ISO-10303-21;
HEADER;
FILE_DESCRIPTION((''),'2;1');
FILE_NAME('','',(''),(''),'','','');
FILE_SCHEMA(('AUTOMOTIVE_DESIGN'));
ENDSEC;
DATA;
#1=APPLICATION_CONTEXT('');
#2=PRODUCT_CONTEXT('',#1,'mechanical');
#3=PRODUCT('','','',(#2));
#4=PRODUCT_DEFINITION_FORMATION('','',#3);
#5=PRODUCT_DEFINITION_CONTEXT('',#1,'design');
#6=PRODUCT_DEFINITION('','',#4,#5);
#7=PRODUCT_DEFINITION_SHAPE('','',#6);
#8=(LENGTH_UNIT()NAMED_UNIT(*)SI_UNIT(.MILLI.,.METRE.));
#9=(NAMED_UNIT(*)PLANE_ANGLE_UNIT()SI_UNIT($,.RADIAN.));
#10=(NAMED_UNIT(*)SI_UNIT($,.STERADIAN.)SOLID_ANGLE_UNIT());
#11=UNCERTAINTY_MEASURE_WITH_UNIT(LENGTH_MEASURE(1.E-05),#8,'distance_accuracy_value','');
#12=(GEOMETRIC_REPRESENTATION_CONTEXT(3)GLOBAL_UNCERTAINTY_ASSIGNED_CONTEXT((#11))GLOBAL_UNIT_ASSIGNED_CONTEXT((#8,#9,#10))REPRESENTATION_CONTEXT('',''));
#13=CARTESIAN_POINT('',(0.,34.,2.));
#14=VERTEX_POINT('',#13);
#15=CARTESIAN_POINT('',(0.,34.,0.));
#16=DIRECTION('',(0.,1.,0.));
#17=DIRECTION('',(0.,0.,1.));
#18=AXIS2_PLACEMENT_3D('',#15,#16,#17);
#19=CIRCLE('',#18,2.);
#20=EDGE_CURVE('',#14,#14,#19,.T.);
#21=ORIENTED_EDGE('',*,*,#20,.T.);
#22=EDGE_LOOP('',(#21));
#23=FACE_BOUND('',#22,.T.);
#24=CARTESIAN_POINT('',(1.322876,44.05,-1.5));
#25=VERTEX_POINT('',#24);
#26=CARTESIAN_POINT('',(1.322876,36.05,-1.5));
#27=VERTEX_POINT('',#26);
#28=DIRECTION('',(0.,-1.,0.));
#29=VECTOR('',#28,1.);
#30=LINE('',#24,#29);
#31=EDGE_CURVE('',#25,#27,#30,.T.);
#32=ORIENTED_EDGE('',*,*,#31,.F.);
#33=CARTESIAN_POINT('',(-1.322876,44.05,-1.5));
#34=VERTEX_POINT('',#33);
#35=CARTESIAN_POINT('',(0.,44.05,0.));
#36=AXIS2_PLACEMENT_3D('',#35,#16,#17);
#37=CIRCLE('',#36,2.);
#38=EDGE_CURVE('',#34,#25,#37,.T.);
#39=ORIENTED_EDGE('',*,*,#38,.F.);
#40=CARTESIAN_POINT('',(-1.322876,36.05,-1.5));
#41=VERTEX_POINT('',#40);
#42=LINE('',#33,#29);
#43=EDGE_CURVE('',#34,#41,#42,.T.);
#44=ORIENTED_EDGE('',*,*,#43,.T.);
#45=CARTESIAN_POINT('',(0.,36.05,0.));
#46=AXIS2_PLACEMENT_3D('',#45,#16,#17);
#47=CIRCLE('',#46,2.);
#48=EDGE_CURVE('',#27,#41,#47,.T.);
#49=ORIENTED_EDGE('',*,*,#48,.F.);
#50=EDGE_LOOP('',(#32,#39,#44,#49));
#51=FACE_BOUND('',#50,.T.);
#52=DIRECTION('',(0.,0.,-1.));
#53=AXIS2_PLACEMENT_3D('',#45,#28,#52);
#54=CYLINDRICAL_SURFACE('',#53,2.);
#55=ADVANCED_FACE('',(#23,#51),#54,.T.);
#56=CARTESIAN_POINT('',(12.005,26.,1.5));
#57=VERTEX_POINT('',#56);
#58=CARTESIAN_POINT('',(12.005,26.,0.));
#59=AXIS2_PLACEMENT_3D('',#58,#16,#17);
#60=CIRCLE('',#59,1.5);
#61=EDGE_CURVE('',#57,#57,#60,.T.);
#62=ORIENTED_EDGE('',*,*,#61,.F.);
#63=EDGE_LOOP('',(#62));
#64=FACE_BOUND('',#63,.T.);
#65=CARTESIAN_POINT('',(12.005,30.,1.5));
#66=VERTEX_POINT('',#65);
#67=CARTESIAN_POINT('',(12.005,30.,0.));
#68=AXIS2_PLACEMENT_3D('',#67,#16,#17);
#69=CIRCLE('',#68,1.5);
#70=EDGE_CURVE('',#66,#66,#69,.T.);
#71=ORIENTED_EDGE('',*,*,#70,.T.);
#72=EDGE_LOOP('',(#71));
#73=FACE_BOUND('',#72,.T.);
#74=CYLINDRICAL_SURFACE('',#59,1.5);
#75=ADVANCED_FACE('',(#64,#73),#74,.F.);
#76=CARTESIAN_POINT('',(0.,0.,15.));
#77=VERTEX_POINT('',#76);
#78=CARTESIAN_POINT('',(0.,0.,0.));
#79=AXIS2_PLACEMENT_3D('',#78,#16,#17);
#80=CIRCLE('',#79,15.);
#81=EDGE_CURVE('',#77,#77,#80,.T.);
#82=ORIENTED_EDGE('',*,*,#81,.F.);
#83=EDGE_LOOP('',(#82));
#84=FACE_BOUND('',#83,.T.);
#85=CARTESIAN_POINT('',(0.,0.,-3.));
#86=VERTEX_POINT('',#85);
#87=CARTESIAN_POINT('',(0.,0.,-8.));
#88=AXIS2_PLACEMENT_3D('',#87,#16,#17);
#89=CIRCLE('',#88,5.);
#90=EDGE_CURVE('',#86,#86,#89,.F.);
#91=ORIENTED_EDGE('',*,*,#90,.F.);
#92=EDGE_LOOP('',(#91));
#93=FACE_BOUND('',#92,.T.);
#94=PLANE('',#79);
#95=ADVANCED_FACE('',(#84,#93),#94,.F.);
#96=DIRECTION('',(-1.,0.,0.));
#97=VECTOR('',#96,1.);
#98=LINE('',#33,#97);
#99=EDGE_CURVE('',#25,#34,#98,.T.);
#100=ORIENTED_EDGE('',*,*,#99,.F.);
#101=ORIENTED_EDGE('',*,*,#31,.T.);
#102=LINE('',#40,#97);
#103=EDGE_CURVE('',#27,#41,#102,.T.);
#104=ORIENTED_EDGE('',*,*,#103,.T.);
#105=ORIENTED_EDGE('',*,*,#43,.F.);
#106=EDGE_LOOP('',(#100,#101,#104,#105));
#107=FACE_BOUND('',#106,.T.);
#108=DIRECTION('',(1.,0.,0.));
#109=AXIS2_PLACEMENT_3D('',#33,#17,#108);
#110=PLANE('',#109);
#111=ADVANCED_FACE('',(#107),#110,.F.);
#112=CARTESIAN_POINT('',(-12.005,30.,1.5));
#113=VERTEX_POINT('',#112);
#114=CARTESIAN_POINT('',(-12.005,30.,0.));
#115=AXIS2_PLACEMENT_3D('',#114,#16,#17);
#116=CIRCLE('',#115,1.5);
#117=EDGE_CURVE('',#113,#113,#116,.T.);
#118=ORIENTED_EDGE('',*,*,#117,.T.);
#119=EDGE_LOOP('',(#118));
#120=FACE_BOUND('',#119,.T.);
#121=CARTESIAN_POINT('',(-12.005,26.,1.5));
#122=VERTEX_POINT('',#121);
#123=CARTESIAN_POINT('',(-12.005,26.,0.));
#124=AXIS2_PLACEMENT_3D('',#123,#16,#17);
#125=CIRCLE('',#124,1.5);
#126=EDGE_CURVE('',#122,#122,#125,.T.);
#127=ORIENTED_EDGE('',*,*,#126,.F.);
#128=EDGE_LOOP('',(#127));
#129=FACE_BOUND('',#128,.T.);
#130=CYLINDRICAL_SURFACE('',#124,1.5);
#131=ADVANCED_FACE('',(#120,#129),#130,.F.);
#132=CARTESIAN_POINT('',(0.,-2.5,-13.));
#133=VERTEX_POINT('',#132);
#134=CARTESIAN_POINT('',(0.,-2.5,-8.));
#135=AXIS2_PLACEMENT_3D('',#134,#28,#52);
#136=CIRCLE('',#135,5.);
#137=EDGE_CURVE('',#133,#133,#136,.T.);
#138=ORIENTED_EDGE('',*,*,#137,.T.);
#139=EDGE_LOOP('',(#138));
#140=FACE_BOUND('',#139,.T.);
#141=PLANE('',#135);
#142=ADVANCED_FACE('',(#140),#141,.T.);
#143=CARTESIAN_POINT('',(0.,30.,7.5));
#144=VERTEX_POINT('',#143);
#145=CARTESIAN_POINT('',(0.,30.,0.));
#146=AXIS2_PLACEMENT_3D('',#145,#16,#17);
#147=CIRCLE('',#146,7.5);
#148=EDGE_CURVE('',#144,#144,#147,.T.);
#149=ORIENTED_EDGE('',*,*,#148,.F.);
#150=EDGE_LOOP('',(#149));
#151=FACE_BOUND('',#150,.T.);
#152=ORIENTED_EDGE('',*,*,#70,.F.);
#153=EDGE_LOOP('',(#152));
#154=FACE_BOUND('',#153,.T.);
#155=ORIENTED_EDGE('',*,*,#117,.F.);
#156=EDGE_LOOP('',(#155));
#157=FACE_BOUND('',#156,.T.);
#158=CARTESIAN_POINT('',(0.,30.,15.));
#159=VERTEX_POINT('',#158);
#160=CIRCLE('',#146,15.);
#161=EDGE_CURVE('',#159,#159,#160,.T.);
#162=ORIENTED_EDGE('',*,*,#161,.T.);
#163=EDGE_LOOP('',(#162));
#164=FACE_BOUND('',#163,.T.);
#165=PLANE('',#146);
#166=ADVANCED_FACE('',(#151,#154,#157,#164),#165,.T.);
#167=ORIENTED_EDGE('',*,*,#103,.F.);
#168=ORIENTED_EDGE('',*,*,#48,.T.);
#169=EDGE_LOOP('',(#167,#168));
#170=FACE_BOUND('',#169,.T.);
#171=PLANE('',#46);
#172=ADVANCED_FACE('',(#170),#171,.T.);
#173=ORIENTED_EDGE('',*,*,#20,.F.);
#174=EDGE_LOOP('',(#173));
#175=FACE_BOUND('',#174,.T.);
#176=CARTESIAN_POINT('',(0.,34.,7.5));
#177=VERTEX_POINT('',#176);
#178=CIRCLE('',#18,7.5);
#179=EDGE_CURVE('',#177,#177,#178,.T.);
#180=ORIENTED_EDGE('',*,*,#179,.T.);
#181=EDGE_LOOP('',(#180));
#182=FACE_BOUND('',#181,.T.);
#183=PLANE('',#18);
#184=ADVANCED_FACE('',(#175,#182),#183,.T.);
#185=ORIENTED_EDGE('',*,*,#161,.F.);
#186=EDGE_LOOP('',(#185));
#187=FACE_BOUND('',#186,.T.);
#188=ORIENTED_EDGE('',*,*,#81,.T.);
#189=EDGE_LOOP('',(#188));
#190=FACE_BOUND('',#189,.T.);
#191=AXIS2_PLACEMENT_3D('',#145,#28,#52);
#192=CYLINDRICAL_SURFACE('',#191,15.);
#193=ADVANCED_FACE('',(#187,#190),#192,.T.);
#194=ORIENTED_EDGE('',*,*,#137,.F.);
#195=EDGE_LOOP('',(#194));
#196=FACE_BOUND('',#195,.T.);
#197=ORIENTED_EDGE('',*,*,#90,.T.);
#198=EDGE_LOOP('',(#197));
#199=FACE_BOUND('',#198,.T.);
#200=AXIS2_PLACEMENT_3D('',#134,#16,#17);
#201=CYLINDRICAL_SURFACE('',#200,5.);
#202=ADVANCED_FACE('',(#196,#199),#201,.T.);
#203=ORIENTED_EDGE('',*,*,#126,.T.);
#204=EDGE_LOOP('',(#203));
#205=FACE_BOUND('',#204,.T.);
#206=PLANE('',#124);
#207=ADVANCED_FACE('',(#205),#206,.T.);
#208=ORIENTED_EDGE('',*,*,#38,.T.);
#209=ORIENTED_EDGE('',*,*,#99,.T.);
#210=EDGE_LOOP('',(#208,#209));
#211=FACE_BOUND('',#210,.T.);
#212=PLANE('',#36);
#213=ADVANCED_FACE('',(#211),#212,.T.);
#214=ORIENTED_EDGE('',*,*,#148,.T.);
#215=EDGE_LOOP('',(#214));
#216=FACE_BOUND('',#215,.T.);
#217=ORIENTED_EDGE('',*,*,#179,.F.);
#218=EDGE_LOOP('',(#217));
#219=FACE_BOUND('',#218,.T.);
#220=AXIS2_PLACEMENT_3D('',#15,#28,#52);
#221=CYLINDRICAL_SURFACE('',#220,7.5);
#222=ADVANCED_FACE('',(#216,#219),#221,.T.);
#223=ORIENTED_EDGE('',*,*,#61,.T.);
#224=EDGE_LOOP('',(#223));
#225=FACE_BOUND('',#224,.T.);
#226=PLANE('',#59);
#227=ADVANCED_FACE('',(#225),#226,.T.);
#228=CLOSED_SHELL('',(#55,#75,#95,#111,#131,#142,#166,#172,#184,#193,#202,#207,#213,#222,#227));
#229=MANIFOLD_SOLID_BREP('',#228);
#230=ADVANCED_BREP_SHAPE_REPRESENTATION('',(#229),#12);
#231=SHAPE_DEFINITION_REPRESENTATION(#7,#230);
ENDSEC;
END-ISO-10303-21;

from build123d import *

# Parameters (mm, degrees)
SKETCH1_R           = 15
BOSS_EXTRUDE1_DEPTH = 30
SKETCH4_R           = 1.5
CUT_EXTRUDE1_DEPTH  = 4
SKETCH5_R           = 7.5
BOSS_EXTRUDE2_DEPTH = 4
SKETCH6_R           = 2
BOSS_EXTRUDE3_DEPTH = 2.05
BOSS_EXTRUDE4_DEPTH = 8
SKETCH9_R           = 5
BOSS_EXTRUDE5_DEPTH = 2.5


with BuildPart() as part:
    # Sketch1 → Boss-Extrude1 (new body)
    with BuildSketch(Plane(origin=(0, 0, 0), x_dir=(1, 0, 0), z_dir=(0, 1, 0))):
        Circle(SKETCH1_R)
    extrude(amount=BOSS_EXTRUDE1_DEPTH)

    # Sketch4 → Cut-Extrude1 (cut)
    with BuildSketch(Plane(origin=(0, 30, 0), x_dir=(1, 0, 0), z_dir=(0, 1, 0))):
        with Locations((12.005, 0)):
            Circle(SKETCH4_R)
        with Locations((-12.005, 0)):
            Circle(SKETCH4_R)
    extrude(amount=-CUT_EXTRUDE1_DEPTH, mode=Mode.SUBTRACT)

    # Sketch5 → Boss-Extrude2 (add)
    with BuildSketch(Plane(origin=(0, 30, 0), x_dir=(1, 0, 0), z_dir=(0, 1, 0))):
        Circle(SKETCH5_R)
    extrude(amount=BOSS_EXTRUDE2_DEPTH)

    # Sketch6 → Boss-Extrude3 (add)
    with BuildSketch(Plane(origin=(0, 34, 0), x_dir=(1, 0, 0), z_dir=(0, 1, 0))):
        Circle(SKETCH6_R)
    extrude(amount=BOSS_EXTRUDE3_DEPTH)

    # Sketch7 → Boss-Extrude4 (add)
    with BuildSketch(Plane(origin=(0, 36.05, 0), x_dir=(1, 0, 0), z_dir=(0, 1, 0))):
        with BuildLine():
            Line((-1.322875656, 1.5), (1.322875656, 1.5))
            ThreePointArc((1.322875656, 1.5), (0, -2), (-1.322875656, 1.5))
        make_face()
    extrude(amount=BOSS_EXTRUDE4_DEPTH)

    # Sketch9 → Boss-Extrude5 (add)
    with BuildSketch(Plane.XZ):
        with Locations((0, -8)):
            Circle(SKETCH9_R)
    extrude(amount=BOSS_EXTRUDE5_DEPTH)


solid = part.part
